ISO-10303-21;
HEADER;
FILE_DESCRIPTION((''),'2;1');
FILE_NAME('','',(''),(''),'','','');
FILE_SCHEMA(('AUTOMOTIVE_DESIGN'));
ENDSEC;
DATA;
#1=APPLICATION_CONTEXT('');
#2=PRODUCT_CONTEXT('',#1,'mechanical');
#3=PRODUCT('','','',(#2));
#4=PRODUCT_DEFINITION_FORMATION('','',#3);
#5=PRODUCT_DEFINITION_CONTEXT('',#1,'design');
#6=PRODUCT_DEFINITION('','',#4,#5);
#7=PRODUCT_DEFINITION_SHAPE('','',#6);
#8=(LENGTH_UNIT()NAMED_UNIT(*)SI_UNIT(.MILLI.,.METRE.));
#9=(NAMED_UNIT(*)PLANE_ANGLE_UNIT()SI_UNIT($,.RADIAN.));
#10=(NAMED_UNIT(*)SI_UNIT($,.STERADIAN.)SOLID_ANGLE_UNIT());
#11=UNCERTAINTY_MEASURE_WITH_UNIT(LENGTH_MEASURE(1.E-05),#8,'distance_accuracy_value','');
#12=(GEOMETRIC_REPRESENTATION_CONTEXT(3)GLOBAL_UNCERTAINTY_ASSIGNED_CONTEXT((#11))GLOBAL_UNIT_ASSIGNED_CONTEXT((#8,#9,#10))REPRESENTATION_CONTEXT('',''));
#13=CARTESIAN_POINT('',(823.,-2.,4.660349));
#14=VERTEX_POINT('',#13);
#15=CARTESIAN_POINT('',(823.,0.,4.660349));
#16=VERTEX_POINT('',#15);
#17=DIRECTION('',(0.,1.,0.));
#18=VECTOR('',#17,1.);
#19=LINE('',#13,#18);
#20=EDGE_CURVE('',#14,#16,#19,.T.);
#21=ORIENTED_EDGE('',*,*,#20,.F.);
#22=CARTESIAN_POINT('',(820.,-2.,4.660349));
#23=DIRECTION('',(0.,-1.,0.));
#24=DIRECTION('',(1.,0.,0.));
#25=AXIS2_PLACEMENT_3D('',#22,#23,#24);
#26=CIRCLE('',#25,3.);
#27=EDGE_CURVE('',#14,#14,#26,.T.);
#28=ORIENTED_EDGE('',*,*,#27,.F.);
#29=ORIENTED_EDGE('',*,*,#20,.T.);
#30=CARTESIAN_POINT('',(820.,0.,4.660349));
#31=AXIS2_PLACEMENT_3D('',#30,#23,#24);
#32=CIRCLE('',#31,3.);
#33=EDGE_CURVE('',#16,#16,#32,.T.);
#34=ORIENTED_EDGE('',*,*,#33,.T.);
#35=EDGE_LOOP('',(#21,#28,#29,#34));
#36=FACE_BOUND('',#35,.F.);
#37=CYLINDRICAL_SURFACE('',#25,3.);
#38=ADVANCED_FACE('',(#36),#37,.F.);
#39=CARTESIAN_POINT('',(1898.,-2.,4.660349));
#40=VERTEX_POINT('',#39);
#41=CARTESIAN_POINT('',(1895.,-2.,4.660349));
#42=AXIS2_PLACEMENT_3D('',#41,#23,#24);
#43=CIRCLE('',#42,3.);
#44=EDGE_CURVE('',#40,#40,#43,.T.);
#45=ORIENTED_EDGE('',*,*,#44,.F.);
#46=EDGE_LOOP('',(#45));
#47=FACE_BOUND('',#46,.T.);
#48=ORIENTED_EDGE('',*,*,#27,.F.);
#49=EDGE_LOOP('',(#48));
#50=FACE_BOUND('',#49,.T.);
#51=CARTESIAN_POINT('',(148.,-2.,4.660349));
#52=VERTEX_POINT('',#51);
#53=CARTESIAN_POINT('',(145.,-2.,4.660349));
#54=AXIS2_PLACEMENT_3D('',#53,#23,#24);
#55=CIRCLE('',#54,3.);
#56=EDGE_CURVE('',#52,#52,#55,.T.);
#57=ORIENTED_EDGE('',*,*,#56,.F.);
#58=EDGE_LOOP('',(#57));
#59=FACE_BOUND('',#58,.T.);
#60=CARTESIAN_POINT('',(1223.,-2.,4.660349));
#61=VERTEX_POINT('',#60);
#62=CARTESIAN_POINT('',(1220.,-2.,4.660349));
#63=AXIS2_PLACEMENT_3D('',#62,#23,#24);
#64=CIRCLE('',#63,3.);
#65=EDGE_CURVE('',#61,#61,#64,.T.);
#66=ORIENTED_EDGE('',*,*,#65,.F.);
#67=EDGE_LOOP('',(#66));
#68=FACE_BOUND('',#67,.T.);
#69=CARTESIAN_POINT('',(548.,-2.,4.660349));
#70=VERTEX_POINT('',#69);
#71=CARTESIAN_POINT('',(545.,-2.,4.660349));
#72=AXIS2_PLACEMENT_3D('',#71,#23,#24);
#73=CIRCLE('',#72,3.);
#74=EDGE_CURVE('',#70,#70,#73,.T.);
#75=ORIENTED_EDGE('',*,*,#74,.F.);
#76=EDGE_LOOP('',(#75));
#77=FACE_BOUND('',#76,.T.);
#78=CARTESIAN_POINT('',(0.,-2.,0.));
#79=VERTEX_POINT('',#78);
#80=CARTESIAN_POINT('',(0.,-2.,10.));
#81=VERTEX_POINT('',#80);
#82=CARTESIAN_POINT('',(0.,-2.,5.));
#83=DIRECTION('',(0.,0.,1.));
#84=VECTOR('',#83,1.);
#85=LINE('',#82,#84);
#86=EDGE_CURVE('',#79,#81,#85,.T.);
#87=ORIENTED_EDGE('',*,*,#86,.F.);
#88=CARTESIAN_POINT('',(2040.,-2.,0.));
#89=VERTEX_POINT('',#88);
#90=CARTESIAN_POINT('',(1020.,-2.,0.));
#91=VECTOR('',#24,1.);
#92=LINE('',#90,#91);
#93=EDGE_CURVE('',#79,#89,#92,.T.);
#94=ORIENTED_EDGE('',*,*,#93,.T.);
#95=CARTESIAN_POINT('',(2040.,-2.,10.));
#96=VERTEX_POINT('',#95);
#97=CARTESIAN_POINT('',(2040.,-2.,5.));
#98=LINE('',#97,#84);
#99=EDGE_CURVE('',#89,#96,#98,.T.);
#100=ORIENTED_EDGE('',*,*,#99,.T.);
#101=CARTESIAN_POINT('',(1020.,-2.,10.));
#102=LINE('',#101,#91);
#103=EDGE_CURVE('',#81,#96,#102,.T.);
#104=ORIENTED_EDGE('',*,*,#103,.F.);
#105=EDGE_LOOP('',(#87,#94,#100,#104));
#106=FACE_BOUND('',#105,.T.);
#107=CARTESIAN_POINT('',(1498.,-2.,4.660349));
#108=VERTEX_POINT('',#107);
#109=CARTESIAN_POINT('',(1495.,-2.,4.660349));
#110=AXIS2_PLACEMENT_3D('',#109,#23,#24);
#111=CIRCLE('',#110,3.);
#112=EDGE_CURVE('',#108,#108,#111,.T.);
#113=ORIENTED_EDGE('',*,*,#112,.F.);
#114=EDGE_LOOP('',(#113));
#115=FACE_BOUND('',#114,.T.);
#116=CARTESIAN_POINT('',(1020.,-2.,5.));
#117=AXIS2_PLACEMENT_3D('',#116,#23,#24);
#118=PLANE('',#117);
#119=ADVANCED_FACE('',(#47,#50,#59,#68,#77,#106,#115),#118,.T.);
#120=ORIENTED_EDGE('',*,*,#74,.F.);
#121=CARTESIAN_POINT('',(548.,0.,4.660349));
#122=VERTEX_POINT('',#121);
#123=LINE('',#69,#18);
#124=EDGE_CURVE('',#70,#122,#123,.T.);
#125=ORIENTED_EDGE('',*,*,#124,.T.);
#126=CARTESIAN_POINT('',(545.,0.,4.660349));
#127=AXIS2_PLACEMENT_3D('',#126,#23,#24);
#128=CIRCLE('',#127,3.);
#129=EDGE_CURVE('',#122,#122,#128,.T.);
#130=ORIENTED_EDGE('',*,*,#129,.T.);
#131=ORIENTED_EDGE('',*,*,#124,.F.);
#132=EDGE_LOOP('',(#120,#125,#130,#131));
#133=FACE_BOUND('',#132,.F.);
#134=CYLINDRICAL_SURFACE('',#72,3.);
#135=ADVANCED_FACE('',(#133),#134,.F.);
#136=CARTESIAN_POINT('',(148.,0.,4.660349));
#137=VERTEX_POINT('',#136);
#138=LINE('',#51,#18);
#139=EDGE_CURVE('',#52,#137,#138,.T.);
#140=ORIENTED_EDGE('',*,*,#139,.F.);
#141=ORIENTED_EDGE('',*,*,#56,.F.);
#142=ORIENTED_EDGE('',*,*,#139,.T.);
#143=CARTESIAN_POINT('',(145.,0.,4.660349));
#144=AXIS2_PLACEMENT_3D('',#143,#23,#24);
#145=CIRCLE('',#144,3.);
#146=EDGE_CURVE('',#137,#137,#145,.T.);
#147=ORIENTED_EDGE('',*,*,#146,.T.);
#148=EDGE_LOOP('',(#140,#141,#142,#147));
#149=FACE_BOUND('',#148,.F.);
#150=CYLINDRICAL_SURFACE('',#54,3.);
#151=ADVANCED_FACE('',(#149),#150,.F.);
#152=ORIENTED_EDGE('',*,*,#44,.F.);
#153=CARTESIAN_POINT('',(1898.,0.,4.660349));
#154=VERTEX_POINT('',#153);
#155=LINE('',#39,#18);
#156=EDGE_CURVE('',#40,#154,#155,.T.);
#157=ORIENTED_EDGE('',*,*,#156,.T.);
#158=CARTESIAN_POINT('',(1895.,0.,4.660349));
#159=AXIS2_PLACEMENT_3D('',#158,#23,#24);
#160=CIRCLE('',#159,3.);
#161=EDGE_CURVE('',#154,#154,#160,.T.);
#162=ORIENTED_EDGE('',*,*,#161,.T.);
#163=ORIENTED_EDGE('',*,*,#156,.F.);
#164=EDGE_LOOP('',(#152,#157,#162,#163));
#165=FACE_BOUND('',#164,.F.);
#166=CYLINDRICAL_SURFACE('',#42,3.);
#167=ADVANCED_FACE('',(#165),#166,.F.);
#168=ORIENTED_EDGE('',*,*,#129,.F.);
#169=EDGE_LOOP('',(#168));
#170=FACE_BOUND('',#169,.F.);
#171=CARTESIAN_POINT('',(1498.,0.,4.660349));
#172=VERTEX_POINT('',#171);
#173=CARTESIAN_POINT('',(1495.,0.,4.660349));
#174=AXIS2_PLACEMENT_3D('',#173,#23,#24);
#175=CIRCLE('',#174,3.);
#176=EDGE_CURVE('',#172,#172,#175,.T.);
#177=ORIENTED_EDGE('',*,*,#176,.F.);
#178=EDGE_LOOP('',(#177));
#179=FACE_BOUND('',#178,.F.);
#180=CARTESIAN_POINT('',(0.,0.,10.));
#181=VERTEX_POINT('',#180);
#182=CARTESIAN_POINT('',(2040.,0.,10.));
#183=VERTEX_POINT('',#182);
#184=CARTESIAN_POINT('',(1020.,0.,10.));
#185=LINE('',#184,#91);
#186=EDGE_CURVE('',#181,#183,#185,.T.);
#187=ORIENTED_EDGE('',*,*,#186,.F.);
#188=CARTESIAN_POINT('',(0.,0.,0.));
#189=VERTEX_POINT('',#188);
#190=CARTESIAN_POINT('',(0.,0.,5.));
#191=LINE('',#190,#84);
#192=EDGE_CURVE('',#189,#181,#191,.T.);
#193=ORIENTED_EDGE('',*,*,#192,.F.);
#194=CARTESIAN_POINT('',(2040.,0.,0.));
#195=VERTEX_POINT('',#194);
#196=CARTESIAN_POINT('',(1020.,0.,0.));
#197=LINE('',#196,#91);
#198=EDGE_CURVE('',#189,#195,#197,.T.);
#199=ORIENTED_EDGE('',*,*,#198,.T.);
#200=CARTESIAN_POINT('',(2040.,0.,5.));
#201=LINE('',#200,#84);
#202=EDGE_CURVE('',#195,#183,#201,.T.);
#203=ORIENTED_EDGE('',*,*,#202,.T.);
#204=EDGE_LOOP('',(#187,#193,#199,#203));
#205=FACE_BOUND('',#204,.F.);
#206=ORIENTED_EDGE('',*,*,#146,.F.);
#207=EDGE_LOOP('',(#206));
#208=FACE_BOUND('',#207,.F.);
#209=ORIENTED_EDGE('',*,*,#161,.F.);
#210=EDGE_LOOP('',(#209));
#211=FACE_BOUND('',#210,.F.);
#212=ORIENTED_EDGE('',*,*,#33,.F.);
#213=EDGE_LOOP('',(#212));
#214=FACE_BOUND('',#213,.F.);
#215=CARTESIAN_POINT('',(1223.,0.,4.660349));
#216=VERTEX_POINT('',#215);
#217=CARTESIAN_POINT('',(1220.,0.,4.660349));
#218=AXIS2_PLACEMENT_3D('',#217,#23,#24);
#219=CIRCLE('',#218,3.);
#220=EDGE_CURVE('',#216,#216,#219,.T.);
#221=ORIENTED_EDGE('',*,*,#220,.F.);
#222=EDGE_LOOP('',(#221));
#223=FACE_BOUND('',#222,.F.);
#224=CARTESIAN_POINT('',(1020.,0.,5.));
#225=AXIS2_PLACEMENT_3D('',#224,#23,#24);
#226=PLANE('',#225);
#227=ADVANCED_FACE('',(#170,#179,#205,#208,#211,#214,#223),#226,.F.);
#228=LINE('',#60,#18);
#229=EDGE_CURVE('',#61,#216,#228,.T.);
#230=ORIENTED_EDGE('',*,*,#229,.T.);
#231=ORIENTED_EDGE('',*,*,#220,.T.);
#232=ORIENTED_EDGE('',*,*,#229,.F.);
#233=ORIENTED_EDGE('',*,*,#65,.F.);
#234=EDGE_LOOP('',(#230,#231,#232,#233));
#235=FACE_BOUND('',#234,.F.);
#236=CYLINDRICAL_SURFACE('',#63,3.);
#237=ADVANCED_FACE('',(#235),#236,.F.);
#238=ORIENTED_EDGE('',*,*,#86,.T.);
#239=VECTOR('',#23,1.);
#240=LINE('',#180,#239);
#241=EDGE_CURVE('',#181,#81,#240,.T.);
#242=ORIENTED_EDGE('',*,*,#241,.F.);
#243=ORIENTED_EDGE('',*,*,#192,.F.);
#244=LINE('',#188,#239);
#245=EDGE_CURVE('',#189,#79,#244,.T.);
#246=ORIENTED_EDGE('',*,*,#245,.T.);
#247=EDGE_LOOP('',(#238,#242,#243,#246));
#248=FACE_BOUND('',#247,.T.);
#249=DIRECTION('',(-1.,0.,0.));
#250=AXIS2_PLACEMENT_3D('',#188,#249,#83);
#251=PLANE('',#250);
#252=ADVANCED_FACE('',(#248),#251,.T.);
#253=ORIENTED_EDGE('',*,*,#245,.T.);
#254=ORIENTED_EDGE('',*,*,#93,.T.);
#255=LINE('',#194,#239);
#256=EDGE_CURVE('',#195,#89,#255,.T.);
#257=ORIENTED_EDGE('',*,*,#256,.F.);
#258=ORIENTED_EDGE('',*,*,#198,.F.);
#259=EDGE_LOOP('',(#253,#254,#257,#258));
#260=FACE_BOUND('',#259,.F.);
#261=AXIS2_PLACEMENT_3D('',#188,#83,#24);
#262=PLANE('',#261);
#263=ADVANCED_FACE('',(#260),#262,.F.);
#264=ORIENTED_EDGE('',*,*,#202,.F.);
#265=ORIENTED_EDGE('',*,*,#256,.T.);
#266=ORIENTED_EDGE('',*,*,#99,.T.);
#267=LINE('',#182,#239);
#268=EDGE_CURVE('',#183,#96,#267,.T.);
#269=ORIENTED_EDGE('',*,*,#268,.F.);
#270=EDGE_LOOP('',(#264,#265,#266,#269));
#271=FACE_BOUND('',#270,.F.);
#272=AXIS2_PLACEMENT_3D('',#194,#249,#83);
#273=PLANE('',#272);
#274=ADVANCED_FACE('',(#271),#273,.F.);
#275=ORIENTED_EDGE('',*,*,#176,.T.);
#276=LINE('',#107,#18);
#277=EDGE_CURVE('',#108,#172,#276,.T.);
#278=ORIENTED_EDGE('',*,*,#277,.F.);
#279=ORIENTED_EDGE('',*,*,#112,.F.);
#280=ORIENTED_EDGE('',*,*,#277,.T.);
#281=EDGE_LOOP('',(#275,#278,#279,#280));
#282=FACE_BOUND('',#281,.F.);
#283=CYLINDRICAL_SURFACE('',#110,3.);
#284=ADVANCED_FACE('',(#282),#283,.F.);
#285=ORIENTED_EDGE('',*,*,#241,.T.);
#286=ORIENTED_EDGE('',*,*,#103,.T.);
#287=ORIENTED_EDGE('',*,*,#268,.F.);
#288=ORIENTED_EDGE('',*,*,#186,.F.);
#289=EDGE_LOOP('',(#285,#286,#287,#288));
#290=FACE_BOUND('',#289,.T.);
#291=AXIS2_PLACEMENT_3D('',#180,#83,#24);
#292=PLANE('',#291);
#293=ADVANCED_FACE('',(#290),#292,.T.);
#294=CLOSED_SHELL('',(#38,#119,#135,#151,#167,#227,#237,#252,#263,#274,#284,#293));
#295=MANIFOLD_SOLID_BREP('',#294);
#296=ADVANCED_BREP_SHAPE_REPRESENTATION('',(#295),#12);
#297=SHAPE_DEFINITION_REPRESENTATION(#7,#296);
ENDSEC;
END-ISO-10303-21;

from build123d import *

# Parameters (mm, degrees)
F0_W     = 2040
F0_H     = 10
F1_DEPTH = 2
F2_R     = 3
F3_DEPTH = 2.001


with BuildPart() as f1:
    # F0 (on Front) → F1 (new body)
    with BuildSketch(Plane.XZ):
        with Locations((1020, 5)):
            Rectangle(F0_W, F0_H)
    extrude(amount=F1_DEPTH)

    # F2 (on face) → F3 (cut, through all)
    with BuildSketch(Plane.XZ.offset(2)):
        with Locations((145, 4.660349)):
            Circle(F2_R)
        with Locations((545, 4.660349)):
            Circle(F2_R)
        with Locations((820, 4.660349)):
            Circle(F2_R)
        with Locations((1220, 4.660349)):
            Circle(F2_R)
        with Locations((1495, 4.660349)):
            Circle(F2_R)
        with Locations((1895, 4.660349)):
            Circle(F2_R)
    extrude(amount=-F3_DEPTH, mode=Mode.SUBTRACT)


solid = f1.part
